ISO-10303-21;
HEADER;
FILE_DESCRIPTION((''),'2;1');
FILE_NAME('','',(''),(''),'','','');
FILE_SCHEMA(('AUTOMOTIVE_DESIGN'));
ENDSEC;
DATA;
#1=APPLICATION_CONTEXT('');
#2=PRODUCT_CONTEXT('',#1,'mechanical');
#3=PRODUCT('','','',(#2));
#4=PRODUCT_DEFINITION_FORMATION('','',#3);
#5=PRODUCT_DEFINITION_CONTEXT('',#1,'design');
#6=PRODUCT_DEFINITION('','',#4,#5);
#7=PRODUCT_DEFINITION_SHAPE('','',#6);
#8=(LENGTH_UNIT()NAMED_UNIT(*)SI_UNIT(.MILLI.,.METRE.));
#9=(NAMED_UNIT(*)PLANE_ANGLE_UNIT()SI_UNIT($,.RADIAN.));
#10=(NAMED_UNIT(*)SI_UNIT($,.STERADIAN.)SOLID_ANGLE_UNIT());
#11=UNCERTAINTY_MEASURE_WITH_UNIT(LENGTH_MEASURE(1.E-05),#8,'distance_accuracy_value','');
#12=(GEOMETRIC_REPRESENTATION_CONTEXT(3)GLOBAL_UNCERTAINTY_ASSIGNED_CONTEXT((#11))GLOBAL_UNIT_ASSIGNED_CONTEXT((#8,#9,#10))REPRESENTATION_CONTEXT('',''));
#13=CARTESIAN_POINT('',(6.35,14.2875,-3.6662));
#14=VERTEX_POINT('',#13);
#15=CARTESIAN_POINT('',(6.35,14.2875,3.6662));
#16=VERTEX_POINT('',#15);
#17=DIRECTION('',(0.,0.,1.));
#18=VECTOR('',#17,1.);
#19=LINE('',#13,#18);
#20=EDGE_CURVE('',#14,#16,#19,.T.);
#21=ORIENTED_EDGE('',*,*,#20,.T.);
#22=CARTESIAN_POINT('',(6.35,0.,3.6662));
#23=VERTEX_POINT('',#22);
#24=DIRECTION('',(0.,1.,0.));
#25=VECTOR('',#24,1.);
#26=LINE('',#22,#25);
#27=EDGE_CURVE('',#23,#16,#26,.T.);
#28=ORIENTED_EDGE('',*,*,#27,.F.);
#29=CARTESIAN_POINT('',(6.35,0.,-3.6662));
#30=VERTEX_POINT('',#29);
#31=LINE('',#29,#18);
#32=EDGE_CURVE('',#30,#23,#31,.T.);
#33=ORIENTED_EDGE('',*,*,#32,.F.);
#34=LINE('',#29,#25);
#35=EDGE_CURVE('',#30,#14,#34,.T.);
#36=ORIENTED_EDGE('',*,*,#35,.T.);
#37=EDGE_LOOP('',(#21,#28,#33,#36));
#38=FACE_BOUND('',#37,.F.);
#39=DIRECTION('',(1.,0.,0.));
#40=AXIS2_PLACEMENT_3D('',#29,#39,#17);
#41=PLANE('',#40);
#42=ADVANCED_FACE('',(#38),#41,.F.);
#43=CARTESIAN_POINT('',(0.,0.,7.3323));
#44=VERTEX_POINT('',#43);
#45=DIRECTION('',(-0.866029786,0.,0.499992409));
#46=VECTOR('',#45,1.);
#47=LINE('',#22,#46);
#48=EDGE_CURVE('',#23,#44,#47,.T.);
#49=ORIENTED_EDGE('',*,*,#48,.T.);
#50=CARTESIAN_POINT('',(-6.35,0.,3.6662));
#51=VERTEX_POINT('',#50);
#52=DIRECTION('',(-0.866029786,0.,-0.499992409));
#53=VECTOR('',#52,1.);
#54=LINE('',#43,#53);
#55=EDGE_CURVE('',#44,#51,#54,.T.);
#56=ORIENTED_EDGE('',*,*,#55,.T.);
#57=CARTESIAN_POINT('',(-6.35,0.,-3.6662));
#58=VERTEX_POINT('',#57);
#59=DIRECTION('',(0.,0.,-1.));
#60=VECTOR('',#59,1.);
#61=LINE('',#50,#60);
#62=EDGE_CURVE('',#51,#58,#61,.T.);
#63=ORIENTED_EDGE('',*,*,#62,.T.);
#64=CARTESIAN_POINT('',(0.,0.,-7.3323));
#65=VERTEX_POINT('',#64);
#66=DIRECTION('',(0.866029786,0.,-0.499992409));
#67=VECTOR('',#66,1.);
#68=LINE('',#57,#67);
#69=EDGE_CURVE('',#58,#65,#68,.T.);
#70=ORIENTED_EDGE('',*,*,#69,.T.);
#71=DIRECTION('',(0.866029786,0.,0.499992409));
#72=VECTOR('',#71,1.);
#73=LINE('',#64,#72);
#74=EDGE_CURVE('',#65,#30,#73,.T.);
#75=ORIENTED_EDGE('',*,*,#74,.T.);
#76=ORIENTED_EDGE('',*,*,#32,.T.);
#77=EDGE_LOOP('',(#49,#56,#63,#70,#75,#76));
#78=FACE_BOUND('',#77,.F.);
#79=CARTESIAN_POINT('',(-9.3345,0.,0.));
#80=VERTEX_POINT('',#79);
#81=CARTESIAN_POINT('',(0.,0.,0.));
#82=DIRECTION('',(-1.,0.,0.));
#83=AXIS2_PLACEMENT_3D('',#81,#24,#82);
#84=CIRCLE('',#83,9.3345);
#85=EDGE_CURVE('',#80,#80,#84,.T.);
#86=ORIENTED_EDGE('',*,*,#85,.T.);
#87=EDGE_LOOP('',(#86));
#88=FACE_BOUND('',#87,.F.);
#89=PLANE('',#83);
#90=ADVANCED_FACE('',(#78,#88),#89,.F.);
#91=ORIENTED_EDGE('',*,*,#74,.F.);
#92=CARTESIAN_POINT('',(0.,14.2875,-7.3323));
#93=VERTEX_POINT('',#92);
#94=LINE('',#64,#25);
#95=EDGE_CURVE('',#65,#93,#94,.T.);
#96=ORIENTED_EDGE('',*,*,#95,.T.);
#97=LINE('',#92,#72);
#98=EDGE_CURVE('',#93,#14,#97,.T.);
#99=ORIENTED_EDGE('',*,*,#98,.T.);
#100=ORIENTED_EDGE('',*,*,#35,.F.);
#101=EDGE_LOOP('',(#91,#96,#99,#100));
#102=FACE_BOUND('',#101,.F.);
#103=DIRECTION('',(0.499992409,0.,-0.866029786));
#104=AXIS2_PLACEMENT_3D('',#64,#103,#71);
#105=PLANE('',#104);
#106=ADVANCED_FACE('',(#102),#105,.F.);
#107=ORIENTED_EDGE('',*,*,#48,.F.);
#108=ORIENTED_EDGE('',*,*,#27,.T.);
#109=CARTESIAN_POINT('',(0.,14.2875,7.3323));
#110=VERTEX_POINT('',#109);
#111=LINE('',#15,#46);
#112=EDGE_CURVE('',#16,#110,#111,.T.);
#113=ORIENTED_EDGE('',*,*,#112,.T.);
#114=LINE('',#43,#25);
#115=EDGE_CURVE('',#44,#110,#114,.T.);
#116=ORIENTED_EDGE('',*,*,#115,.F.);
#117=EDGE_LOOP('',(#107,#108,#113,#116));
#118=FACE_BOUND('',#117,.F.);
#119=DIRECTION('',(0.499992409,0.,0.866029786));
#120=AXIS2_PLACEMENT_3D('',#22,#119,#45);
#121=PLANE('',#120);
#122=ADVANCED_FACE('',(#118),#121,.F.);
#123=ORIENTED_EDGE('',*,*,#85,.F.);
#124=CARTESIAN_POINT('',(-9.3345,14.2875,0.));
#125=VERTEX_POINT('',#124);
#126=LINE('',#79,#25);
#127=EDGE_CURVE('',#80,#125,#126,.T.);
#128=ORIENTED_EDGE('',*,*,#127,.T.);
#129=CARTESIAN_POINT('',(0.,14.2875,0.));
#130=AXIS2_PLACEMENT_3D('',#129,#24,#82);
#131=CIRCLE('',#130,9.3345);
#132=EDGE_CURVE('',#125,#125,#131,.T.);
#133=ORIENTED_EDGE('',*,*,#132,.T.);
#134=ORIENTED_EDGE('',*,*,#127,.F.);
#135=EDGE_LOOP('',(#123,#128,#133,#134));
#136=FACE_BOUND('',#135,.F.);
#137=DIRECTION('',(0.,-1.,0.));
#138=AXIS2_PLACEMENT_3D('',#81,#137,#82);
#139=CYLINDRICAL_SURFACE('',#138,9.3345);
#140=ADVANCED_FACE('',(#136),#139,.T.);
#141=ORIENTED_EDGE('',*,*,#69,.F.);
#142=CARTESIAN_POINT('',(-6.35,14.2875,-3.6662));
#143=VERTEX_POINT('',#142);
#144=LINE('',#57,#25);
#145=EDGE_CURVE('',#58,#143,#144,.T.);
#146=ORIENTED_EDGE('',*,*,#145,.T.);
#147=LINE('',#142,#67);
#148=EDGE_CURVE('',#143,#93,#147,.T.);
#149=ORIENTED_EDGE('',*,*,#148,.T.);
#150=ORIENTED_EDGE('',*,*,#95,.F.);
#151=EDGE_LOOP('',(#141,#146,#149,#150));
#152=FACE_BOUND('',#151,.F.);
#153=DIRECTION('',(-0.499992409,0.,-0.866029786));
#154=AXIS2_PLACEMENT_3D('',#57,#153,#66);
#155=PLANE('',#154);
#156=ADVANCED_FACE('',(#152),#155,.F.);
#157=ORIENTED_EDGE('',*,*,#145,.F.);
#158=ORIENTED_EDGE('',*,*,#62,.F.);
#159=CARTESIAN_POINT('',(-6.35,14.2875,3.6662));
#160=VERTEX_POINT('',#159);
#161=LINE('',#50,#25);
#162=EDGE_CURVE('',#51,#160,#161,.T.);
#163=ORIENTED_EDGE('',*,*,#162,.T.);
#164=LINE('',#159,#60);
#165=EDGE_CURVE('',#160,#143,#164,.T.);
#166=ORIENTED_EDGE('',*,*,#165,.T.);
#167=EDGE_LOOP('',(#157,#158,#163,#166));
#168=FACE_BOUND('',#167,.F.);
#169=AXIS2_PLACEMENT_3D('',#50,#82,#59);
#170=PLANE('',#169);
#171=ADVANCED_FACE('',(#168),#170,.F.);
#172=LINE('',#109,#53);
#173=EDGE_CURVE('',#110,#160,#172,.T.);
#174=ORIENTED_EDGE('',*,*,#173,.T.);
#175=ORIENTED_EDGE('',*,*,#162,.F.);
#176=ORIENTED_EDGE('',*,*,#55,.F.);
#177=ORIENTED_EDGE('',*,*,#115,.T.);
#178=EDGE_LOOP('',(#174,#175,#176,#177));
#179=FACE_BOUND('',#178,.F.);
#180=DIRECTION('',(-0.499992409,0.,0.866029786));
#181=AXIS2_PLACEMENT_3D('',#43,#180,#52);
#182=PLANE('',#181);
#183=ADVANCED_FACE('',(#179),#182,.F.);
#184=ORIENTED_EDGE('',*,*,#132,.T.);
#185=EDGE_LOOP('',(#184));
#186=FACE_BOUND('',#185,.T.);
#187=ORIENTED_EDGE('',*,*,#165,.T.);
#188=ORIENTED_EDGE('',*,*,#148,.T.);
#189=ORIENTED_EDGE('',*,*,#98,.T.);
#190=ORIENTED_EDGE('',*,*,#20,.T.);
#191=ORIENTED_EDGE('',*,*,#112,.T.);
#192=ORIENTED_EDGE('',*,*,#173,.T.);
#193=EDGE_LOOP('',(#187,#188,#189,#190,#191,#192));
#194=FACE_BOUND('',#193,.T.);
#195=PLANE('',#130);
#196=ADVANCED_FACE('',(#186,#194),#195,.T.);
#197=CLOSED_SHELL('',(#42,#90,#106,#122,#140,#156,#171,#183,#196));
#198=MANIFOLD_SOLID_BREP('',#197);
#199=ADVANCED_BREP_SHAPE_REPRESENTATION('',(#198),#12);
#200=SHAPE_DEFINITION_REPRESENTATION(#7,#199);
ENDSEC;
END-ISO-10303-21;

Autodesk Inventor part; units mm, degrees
ref_plane "YZ Plane" through (0, 0, 0) normal (1, 0, 0) x (0, 1, 0)
ref_plane "XZ Plane" through (0, 0, 0) normal (0, 1, 0) x (-1, 0, 0)
ref_plane "XY Plane" through (0, 0, 0) normal (0, 0, 1) x (1, 0, 0)
sketch "Sketch1" plane through (0, 0, 0) normal (0, 1, 0) x (-1, 0, 0)
  circle A0 centre (0, 0) radius 9.3345
  line L0 (6.35, 3.6662) -> (6.35, -3.6662)
  line L1 (6.35, -3.6662) -> (0, -7.3323)
  line L2 (0, -7.3323) -> (-6.35, -3.6662)
  line L3 (-6.35, -3.6662) -> (-6.35, 3.6662)
  line L4 (-6.35, 3.6662) -> (0, 7.3323)
  line L5 (0, 7.3323) -> (6.35, 3.6662)
  dimension "d0" = 18.669
  dimension "d1" = 12.7
extrude "Extrusion1" add sketch "Sketch1" along normal blind 14.2875
properties part number "OUTK_018_Spacer2" material "Acetal Resin, Black"
